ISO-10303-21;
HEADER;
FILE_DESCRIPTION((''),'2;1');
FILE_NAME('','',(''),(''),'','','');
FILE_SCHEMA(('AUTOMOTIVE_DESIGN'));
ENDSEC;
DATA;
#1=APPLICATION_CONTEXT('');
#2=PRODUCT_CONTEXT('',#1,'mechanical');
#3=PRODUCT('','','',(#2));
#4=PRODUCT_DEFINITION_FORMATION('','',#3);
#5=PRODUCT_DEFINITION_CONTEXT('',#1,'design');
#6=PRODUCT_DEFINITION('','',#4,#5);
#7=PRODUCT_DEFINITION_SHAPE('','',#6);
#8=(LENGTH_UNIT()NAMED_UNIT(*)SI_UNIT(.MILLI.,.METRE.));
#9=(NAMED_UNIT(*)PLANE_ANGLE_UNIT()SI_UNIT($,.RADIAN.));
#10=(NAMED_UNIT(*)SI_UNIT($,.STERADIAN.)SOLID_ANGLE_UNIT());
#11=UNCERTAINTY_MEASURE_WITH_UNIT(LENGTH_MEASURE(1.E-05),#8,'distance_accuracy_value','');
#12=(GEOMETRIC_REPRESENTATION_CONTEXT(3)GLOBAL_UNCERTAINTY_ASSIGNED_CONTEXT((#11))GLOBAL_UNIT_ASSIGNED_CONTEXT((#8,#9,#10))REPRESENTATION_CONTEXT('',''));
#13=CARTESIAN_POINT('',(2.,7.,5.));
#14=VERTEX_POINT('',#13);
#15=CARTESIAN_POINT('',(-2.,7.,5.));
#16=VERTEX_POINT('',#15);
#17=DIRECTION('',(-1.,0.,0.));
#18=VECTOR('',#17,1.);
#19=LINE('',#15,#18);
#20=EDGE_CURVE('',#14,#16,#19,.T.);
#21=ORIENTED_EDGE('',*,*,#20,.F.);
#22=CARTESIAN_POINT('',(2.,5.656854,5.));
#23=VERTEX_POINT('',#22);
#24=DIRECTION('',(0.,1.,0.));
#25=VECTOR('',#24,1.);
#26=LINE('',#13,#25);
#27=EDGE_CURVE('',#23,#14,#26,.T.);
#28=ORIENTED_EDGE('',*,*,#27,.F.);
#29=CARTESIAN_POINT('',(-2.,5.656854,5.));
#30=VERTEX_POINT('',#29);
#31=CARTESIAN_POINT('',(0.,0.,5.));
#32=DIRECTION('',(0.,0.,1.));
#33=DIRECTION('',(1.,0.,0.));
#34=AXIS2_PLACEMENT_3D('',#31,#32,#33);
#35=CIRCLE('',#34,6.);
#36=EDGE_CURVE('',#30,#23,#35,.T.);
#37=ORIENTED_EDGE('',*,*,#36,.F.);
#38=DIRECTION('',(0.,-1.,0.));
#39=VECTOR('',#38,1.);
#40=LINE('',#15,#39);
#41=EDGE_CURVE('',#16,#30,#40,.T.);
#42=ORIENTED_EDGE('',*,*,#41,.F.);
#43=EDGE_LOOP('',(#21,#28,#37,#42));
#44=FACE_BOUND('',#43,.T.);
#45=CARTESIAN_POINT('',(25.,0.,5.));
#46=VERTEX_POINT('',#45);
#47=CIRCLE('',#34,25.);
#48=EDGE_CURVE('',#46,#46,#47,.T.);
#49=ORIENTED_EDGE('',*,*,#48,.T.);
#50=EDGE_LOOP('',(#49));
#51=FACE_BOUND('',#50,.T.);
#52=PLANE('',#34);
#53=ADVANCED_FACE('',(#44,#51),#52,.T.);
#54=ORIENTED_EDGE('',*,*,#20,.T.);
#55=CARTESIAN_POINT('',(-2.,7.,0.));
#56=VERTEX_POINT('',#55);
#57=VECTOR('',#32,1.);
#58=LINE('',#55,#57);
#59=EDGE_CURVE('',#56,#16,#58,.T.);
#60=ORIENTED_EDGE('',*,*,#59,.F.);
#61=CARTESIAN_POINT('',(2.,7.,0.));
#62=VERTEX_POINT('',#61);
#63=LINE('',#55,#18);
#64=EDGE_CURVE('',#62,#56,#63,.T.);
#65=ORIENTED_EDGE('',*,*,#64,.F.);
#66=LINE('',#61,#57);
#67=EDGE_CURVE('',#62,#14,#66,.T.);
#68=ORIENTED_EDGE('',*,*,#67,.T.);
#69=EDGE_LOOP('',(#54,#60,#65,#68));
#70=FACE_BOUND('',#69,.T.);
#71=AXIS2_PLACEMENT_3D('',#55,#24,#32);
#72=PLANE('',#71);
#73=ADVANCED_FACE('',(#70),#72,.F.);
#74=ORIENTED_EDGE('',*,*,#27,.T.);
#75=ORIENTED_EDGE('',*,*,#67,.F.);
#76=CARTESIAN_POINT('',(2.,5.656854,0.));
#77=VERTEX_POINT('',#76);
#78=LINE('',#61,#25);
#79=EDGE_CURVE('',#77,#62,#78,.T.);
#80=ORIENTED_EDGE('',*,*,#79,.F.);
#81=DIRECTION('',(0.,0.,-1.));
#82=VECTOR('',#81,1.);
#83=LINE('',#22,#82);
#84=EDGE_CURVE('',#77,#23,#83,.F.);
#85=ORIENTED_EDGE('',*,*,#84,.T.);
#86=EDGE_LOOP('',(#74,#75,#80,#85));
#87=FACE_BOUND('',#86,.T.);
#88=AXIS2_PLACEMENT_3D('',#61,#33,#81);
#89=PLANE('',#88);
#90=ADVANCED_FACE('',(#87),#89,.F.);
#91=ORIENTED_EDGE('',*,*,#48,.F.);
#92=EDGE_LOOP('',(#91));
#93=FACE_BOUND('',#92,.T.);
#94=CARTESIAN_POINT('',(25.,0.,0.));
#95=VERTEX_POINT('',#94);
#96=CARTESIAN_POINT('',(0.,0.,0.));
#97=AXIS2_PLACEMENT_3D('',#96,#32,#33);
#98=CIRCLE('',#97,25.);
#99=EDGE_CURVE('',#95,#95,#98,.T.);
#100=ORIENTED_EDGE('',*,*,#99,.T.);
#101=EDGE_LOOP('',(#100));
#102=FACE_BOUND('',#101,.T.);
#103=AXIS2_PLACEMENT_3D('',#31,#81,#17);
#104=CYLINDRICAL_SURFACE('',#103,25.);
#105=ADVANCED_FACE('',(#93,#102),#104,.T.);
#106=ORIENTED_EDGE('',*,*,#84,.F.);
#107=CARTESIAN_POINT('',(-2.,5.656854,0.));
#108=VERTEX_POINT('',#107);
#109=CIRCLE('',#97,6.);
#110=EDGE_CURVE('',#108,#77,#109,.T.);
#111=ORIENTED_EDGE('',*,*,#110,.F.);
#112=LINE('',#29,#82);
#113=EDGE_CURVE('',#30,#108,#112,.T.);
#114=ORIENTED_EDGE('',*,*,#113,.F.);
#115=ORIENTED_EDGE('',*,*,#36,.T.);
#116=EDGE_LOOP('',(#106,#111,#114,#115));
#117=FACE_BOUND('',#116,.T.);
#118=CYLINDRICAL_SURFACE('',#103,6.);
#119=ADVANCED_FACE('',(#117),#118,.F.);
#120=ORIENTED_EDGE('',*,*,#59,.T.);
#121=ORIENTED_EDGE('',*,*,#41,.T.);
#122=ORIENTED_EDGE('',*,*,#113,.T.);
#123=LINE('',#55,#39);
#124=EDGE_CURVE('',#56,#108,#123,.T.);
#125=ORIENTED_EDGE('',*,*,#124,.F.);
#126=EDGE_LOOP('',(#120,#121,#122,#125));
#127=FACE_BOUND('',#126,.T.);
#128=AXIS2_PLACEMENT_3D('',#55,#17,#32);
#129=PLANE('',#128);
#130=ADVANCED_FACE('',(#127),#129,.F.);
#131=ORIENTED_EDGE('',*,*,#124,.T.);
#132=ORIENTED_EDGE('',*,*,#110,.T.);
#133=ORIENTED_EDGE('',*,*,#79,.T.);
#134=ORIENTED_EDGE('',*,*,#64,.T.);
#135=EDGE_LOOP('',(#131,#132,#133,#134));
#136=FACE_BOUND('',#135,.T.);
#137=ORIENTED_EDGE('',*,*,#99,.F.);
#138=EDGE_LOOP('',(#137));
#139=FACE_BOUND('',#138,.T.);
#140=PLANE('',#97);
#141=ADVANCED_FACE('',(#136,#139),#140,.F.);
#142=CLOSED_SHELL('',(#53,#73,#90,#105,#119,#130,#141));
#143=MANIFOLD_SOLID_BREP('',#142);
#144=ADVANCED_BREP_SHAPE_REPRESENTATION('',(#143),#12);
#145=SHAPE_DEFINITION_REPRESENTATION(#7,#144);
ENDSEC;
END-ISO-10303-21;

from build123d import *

# Parameters (mm, degrees)
SKETCH4_R           = 25
SKETCH4_R_2         = 6
BOSS_EXTRUDE1_DEPTH = 5
SKETCH5_W           = 4
SKETCH5_H           = 2
CUT_EXTRUDE1_DEPTH  = 5


with BuildPart() as part:
    # Sketch4 → Boss-Extrude1 (new body)
    with BuildSketch(Plane.XY):
        Circle(SKETCH4_R)
        Circle(SKETCH4_R_2, mode=Mode.SUBTRACT)
    extrude(amount=BOSS_EXTRUDE1_DEPTH)

    # Sketch5 → Cut-Extrude1 (cut)
    with BuildSketch(Plane.XY.offset(5)):
        with Locations((0, 6)):
            Rectangle(SKETCH5_W, SKETCH5_H)
    extrude(amount=-CUT_EXTRUDE1_DEPTH, mode=Mode.SUBTRACT)


solid = part.part
